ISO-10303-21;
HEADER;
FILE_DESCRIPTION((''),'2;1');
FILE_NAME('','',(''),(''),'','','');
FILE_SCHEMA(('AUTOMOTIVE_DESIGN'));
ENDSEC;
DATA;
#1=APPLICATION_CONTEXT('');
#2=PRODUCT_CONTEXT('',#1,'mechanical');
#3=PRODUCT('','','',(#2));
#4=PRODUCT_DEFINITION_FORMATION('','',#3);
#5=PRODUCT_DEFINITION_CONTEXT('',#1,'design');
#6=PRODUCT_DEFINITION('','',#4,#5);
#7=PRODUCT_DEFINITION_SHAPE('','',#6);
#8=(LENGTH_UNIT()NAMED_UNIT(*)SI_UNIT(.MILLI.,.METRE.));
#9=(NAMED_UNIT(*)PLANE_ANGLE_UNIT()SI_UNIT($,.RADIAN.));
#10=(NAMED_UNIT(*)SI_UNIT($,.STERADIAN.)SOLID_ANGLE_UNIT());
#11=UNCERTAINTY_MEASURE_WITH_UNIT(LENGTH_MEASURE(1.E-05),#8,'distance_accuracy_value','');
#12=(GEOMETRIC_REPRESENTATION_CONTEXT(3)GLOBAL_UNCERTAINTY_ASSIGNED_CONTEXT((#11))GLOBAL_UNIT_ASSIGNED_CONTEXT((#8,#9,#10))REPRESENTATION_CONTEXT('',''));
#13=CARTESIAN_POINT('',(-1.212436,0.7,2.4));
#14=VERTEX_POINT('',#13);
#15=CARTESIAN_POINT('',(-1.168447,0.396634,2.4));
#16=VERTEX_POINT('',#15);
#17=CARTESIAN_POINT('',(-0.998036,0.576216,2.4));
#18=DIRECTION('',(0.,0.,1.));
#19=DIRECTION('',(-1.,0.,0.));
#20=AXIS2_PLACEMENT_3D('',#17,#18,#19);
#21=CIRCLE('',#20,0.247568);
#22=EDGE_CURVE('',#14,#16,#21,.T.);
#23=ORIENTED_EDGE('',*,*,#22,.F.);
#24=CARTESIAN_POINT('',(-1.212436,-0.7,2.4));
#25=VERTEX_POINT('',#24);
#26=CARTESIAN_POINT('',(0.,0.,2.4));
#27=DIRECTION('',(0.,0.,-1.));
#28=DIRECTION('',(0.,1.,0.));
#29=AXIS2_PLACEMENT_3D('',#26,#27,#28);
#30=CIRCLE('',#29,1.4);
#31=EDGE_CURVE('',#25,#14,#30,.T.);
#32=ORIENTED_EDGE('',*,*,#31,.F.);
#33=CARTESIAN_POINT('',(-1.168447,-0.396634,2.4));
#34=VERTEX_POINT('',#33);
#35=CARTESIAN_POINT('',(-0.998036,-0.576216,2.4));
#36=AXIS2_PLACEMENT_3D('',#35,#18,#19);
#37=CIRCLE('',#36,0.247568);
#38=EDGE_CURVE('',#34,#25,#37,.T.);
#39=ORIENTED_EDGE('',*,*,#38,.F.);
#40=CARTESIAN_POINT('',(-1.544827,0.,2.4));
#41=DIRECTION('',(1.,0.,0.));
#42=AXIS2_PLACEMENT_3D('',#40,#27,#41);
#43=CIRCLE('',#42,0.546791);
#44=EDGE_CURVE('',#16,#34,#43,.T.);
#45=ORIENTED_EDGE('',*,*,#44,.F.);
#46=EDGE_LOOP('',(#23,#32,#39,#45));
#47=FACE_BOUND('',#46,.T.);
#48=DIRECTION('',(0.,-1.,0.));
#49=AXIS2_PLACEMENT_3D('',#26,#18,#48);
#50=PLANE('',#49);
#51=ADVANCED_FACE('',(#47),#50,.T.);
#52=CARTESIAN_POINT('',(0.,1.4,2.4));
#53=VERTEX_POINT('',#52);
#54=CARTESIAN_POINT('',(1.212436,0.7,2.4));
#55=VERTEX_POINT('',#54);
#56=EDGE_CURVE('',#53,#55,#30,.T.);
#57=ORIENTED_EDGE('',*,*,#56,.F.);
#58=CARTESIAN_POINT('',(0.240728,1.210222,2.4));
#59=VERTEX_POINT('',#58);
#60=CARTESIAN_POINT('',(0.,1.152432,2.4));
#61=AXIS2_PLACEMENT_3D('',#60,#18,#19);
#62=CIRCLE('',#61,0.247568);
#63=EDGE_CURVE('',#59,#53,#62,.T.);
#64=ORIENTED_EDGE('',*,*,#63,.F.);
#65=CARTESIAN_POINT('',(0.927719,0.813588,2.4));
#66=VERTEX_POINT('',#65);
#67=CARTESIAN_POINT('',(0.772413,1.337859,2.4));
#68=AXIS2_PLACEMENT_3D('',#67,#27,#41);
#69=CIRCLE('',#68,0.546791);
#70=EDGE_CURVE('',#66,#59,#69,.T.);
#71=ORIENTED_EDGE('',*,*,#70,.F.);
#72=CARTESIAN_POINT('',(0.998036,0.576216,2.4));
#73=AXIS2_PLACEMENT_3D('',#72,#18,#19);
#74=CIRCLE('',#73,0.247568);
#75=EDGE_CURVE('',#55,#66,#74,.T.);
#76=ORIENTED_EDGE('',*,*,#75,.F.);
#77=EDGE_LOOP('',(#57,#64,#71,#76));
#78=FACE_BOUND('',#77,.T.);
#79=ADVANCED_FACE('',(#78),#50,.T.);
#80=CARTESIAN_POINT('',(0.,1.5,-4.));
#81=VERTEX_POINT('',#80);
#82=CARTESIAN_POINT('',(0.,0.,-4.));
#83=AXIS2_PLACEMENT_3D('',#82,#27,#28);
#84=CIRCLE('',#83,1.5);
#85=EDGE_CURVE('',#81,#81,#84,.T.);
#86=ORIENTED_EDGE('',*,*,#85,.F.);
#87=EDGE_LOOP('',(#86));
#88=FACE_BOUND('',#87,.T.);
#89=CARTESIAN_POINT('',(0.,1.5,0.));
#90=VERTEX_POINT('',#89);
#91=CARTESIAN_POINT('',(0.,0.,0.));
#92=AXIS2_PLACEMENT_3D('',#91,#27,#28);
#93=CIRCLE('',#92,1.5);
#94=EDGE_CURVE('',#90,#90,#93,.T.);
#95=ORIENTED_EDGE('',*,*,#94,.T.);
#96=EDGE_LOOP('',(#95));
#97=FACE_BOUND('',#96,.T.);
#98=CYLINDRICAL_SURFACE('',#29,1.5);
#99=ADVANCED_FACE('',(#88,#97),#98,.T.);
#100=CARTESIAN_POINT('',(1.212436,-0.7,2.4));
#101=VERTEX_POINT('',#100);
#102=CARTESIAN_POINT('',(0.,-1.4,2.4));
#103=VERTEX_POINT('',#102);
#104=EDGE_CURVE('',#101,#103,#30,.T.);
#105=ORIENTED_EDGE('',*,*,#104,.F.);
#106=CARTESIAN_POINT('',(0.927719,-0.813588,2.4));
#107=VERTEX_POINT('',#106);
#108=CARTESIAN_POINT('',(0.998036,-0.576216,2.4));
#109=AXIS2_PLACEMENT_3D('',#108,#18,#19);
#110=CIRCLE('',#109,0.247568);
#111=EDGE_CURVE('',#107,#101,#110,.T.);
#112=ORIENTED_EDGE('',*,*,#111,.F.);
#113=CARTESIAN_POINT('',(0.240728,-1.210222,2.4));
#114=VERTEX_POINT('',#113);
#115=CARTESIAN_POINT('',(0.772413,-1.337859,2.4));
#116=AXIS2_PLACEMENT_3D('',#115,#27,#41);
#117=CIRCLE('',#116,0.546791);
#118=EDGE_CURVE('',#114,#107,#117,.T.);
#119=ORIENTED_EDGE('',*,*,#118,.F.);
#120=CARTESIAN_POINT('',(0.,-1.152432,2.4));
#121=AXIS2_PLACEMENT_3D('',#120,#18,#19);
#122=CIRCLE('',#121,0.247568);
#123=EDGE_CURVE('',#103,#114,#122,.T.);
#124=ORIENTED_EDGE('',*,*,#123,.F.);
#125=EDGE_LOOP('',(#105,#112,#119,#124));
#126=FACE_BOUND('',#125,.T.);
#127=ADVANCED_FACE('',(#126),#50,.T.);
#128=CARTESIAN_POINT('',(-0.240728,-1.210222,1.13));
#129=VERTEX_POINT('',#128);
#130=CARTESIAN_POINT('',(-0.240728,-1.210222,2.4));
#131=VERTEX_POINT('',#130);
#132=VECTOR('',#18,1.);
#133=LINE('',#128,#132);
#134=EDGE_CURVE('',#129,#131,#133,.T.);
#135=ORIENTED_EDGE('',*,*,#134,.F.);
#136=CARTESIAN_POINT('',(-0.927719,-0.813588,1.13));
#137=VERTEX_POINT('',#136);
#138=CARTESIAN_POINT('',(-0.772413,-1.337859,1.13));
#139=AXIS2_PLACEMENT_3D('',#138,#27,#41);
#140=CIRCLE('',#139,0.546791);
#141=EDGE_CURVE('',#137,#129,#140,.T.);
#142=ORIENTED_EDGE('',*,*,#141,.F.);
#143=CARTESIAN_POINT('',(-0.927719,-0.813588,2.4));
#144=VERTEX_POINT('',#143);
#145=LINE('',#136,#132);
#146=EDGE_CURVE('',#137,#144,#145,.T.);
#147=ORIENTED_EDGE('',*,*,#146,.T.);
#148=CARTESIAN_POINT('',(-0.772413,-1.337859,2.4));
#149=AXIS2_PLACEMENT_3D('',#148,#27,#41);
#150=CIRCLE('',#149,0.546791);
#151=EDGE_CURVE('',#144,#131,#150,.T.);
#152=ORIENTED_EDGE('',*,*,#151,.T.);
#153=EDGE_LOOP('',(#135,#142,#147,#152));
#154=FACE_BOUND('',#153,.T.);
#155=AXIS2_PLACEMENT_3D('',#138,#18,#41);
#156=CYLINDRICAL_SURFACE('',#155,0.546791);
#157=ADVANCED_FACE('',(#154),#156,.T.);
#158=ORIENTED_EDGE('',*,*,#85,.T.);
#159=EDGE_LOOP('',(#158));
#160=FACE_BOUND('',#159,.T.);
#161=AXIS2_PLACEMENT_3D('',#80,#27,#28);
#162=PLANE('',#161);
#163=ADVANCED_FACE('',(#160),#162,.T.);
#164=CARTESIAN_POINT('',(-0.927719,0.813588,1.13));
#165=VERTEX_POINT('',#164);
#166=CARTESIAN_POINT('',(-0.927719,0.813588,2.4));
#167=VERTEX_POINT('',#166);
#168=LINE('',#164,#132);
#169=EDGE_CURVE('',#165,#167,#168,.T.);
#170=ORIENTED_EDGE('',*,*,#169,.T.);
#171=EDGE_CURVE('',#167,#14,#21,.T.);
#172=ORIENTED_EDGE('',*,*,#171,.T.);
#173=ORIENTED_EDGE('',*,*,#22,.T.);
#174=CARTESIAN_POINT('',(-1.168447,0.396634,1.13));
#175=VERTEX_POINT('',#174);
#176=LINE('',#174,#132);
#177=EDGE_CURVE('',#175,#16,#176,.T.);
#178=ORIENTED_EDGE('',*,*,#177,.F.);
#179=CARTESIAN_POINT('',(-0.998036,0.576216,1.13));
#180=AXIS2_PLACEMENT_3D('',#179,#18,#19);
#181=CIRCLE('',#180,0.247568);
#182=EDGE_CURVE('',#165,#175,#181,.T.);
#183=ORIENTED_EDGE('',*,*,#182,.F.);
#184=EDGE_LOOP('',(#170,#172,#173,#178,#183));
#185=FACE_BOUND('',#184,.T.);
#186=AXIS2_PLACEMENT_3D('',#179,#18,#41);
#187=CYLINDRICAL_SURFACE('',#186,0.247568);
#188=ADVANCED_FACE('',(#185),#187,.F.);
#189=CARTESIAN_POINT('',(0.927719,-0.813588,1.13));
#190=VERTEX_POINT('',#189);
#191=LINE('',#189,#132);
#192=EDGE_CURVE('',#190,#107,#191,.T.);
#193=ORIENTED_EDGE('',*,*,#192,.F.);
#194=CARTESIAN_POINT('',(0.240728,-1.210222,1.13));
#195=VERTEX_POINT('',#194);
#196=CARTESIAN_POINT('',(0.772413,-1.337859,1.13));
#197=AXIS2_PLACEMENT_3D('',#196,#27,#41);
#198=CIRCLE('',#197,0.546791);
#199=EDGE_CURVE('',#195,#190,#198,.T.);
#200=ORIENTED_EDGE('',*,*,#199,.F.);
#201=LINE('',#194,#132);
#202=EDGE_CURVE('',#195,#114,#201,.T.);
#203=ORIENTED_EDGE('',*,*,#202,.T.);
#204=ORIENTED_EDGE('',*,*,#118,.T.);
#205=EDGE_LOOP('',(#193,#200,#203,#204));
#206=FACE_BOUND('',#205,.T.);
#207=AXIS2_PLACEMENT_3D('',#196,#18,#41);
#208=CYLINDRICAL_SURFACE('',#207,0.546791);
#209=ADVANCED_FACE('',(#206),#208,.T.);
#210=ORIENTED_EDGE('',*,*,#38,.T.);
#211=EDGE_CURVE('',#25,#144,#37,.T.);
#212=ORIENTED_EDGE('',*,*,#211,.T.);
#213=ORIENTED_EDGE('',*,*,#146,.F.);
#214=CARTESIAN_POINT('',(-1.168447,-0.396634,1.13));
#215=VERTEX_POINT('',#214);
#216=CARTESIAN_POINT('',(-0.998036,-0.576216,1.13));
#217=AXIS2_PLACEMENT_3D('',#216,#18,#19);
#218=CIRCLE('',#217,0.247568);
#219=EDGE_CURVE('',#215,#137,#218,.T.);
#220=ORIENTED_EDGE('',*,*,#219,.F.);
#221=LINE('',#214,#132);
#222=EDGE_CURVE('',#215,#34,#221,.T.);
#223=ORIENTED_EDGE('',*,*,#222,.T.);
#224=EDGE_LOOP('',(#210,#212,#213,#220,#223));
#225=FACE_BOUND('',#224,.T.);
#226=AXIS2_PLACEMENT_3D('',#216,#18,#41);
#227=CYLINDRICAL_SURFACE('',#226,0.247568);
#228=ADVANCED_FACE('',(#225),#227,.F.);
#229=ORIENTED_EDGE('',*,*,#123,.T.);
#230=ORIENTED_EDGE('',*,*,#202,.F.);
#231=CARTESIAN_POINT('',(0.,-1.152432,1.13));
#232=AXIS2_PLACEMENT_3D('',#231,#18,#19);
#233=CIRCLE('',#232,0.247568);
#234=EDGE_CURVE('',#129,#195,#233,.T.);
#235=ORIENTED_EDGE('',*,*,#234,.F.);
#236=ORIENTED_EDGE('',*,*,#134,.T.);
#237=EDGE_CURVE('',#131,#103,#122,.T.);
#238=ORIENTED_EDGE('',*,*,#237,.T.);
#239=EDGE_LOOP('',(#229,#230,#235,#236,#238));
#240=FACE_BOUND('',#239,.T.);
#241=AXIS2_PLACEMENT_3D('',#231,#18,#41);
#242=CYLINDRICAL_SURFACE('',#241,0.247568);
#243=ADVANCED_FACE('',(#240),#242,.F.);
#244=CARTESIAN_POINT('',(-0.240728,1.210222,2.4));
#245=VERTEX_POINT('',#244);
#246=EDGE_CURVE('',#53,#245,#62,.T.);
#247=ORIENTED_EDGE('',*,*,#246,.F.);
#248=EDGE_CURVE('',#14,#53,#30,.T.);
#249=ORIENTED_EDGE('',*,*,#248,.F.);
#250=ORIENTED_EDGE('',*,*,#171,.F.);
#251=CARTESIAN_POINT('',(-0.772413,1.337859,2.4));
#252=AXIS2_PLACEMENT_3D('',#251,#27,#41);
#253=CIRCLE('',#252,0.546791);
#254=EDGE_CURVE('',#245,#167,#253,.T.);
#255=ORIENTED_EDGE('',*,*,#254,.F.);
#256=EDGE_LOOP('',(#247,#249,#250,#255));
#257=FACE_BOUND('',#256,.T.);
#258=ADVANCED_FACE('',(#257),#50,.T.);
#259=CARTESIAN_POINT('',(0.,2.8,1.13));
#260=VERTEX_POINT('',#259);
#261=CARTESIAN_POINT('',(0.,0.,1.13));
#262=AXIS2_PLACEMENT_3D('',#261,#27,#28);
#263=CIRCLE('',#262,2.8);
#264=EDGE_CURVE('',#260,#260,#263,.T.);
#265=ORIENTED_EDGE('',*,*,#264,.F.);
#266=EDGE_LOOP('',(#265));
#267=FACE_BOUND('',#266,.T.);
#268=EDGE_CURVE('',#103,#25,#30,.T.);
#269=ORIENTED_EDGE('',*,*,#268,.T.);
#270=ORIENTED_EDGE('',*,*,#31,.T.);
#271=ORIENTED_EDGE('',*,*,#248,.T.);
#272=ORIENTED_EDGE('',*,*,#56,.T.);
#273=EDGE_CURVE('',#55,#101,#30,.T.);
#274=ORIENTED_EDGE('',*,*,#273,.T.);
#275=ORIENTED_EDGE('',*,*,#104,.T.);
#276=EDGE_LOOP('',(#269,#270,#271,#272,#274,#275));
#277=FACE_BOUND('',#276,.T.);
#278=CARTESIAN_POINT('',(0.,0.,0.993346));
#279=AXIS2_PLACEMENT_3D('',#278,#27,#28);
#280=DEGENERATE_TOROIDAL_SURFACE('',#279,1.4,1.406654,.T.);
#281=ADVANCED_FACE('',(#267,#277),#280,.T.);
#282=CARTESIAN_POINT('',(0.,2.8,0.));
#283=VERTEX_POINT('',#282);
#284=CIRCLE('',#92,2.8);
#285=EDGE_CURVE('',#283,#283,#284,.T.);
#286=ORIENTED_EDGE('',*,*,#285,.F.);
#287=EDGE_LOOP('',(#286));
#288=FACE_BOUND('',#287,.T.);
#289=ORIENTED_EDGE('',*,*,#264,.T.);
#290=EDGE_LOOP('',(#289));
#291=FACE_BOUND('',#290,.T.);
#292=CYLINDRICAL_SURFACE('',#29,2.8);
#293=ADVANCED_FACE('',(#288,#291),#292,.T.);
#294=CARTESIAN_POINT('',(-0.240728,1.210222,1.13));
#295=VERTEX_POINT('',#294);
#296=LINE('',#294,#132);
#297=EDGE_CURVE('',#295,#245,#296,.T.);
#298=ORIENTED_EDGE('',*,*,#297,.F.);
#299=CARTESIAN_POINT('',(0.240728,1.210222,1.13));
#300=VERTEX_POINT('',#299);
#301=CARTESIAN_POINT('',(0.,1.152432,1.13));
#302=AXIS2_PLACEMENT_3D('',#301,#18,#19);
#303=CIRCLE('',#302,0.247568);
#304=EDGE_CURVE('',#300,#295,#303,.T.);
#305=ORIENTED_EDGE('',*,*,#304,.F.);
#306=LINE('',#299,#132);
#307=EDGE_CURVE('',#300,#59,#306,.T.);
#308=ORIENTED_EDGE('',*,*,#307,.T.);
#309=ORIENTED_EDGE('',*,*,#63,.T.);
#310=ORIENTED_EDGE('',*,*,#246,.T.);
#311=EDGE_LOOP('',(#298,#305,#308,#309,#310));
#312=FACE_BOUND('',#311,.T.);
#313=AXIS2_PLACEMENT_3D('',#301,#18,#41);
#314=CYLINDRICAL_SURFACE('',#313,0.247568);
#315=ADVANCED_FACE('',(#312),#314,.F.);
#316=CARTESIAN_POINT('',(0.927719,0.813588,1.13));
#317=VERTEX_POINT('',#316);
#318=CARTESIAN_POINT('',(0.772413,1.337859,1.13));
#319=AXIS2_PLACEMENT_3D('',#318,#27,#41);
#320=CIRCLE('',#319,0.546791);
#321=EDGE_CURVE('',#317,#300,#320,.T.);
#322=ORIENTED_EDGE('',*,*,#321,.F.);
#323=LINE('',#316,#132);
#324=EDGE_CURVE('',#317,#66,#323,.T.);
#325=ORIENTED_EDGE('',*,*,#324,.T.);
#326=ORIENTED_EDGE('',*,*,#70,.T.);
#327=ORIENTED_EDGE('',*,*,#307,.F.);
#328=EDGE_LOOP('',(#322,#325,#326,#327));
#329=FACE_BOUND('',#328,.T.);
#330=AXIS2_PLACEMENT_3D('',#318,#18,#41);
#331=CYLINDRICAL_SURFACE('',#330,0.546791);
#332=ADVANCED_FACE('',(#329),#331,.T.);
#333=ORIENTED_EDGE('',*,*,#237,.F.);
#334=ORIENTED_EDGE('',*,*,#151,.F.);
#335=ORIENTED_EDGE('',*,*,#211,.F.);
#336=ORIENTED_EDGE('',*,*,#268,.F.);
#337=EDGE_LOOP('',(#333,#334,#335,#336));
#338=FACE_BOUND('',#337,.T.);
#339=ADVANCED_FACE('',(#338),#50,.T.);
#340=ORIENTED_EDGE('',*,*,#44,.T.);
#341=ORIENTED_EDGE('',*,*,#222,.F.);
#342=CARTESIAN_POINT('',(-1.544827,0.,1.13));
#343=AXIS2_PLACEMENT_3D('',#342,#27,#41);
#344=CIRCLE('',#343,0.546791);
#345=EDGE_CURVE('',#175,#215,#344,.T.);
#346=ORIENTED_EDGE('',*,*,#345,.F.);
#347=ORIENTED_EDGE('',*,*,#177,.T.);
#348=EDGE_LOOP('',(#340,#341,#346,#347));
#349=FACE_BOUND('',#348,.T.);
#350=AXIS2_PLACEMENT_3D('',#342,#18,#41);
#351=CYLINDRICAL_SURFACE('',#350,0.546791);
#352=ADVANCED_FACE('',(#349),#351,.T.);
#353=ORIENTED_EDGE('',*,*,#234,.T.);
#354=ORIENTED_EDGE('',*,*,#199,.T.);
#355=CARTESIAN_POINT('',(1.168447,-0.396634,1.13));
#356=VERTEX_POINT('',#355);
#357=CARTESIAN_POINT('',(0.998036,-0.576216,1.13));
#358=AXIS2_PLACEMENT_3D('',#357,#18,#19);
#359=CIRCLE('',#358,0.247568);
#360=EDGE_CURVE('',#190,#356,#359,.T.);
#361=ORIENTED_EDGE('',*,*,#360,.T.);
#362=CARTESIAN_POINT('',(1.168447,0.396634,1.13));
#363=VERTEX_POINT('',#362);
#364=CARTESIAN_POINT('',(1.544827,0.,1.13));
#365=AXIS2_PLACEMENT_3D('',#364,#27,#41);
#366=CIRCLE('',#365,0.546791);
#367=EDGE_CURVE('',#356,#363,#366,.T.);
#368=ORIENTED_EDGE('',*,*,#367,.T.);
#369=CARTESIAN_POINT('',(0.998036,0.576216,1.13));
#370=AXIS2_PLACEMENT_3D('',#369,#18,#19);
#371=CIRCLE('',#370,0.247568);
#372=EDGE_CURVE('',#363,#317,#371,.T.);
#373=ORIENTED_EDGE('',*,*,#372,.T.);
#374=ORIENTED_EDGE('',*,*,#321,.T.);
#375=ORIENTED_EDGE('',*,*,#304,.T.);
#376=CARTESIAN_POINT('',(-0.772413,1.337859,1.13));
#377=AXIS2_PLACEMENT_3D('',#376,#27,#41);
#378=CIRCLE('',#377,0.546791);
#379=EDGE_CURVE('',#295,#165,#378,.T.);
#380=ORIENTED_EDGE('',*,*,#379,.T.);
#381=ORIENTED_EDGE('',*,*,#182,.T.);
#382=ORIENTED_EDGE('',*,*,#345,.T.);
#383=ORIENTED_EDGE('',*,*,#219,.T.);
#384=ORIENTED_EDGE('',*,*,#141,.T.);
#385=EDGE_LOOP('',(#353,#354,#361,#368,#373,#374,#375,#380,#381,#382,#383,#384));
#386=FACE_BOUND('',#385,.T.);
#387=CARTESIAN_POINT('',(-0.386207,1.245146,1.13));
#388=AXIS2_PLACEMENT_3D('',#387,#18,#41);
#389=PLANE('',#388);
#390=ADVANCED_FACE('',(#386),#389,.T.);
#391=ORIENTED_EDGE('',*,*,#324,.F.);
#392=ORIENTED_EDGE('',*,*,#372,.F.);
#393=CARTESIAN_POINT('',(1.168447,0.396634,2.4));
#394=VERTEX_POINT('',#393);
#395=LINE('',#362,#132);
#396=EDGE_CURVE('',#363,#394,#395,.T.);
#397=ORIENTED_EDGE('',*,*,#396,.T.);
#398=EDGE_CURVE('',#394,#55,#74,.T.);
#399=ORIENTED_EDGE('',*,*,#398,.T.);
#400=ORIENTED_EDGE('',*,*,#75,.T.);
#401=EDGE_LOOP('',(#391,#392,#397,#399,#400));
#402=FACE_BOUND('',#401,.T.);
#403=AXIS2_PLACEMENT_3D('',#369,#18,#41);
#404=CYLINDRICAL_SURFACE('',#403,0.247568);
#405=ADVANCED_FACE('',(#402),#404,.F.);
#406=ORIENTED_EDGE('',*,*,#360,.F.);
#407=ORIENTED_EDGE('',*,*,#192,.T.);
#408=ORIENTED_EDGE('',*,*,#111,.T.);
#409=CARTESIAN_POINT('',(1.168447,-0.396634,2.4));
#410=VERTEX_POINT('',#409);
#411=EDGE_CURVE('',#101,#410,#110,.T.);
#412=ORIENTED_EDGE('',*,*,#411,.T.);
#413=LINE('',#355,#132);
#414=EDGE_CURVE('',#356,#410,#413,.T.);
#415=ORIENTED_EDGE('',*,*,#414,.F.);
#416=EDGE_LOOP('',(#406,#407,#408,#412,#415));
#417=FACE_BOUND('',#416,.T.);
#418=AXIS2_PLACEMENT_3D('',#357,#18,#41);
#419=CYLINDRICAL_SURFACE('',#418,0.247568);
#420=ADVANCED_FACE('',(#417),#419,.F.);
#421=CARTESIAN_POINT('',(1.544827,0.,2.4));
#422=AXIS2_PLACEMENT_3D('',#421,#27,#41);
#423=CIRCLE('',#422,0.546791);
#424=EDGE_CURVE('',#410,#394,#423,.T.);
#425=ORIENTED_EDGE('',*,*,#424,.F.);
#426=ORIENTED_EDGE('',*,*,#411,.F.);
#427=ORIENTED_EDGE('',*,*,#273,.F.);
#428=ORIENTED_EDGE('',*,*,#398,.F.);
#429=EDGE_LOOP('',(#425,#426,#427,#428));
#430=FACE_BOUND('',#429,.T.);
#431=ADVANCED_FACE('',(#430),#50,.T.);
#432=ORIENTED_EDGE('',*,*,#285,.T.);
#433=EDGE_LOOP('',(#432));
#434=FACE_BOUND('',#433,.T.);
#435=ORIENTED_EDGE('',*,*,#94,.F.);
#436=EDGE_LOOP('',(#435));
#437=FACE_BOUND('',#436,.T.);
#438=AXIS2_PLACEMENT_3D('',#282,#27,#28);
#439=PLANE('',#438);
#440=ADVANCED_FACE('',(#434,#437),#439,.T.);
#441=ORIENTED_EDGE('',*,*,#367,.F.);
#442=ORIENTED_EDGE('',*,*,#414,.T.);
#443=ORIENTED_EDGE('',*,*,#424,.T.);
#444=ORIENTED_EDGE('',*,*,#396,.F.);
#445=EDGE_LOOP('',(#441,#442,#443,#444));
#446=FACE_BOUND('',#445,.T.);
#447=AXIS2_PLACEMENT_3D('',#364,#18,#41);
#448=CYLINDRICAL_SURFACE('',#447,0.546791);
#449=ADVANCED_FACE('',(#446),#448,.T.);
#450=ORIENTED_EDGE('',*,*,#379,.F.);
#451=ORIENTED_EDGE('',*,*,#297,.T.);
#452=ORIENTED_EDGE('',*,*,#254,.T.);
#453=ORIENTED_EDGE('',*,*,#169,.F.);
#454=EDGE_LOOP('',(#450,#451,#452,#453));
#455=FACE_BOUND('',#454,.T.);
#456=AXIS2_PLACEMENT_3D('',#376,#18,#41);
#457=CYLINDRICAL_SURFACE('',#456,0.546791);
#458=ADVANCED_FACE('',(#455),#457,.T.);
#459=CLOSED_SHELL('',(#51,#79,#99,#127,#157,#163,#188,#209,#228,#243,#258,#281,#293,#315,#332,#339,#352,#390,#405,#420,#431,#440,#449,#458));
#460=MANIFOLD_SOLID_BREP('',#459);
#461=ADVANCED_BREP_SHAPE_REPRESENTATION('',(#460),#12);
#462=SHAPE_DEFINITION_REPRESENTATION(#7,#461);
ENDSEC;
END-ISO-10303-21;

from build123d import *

# Parameters (mm, degrees)
ENL_V_MAT_EXTRU_1_DEPTH = 1.27


with BuildPart() as part:
    # Esquisse1 → Révolution1 (revolve)
    with BuildSketch(Plane(origin=(0, 0, 0), x_dir=(0, 0, -1), z_dir=(1, 0, 0))):
        with BuildLine():
            Line((-2.4, 0), (-2.4, 1.4))
            ThreePointArc((-2.4, 1.4), (-2.035195386, 2.345105814), (-1.13, 2.8))
            Line((-1.13, 2.8), (0, 2.8))
            Line((0, 2.8), (0, 1.5))
            Line((0, 1.5), (4, 1.5))
            Line((4, 1.5), (4, 0))
            Line((4, 0), (-2.4, 0))
        make_face()
    revolve(axis=Axis((0, 0, 2.4), (0, 0, 1)))

    # Esquisse2 → Enlèv. mat.-Extru.1 (cut)
    with BuildSketch(Plane.XY.offset(2.4)):
        with BuildLine():
            ThreePointArc((-0.240728142, 1.210222096), (0, 1.4), (0.240728142, 1.210222096))
            ThreePointArc((0.240728142, 1.210222096), (0.499017901, 0.864324358), (0.927719008, 0.813587734))
            ThreePointArc((0.927719008, 0.813587734), (1.212435565, 0.7), (1.16844715, 0.396634361))
            ThreePointArc((1.16844715, 0.396634361), (0.998035801, 0), (1.16844715, -0.396634361))
            ThreePointArc((1.16844715, -0.396634361), (1.212435565, -0.7), (0.927719008, -0.813587734))
            ThreePointArc((0.927719008, -0.813587734), (0.499017901, -0.864324358), (0.240728142, -1.210222096))
            ThreePointArc((0.240728142, -1.210222096), (0, -1.4), (-0.240728142, -1.210222096))
            ThreePointArc((-0.240728142, -1.210222096), (-0.499017901, -0.864324358), (-0.927719008, -0.813587734))
            ThreePointArc((-0.927719008, -0.813587734), (-1.212435565, -0.7), (-1.16844715, -0.396634361))
            ThreePointArc((-1.16844715, -0.396634361), (-0.998035801, 0), (-1.16844715, 0.396634361))
            ThreePointArc((-1.16844715, 0.396634361), (-1.212435565, 0.7), (-0.927719008, 0.813587734))
            ThreePointArc((-0.927719008, 0.813587734), (-0.499017901, 0.864324358), (-0.240728142, 1.210222096))
        make_face()
    extrude(amount=-ENL_V_MAT_EXTRU_1_DEPTH, mode=Mode.SUBTRACT)


solid = part.part
